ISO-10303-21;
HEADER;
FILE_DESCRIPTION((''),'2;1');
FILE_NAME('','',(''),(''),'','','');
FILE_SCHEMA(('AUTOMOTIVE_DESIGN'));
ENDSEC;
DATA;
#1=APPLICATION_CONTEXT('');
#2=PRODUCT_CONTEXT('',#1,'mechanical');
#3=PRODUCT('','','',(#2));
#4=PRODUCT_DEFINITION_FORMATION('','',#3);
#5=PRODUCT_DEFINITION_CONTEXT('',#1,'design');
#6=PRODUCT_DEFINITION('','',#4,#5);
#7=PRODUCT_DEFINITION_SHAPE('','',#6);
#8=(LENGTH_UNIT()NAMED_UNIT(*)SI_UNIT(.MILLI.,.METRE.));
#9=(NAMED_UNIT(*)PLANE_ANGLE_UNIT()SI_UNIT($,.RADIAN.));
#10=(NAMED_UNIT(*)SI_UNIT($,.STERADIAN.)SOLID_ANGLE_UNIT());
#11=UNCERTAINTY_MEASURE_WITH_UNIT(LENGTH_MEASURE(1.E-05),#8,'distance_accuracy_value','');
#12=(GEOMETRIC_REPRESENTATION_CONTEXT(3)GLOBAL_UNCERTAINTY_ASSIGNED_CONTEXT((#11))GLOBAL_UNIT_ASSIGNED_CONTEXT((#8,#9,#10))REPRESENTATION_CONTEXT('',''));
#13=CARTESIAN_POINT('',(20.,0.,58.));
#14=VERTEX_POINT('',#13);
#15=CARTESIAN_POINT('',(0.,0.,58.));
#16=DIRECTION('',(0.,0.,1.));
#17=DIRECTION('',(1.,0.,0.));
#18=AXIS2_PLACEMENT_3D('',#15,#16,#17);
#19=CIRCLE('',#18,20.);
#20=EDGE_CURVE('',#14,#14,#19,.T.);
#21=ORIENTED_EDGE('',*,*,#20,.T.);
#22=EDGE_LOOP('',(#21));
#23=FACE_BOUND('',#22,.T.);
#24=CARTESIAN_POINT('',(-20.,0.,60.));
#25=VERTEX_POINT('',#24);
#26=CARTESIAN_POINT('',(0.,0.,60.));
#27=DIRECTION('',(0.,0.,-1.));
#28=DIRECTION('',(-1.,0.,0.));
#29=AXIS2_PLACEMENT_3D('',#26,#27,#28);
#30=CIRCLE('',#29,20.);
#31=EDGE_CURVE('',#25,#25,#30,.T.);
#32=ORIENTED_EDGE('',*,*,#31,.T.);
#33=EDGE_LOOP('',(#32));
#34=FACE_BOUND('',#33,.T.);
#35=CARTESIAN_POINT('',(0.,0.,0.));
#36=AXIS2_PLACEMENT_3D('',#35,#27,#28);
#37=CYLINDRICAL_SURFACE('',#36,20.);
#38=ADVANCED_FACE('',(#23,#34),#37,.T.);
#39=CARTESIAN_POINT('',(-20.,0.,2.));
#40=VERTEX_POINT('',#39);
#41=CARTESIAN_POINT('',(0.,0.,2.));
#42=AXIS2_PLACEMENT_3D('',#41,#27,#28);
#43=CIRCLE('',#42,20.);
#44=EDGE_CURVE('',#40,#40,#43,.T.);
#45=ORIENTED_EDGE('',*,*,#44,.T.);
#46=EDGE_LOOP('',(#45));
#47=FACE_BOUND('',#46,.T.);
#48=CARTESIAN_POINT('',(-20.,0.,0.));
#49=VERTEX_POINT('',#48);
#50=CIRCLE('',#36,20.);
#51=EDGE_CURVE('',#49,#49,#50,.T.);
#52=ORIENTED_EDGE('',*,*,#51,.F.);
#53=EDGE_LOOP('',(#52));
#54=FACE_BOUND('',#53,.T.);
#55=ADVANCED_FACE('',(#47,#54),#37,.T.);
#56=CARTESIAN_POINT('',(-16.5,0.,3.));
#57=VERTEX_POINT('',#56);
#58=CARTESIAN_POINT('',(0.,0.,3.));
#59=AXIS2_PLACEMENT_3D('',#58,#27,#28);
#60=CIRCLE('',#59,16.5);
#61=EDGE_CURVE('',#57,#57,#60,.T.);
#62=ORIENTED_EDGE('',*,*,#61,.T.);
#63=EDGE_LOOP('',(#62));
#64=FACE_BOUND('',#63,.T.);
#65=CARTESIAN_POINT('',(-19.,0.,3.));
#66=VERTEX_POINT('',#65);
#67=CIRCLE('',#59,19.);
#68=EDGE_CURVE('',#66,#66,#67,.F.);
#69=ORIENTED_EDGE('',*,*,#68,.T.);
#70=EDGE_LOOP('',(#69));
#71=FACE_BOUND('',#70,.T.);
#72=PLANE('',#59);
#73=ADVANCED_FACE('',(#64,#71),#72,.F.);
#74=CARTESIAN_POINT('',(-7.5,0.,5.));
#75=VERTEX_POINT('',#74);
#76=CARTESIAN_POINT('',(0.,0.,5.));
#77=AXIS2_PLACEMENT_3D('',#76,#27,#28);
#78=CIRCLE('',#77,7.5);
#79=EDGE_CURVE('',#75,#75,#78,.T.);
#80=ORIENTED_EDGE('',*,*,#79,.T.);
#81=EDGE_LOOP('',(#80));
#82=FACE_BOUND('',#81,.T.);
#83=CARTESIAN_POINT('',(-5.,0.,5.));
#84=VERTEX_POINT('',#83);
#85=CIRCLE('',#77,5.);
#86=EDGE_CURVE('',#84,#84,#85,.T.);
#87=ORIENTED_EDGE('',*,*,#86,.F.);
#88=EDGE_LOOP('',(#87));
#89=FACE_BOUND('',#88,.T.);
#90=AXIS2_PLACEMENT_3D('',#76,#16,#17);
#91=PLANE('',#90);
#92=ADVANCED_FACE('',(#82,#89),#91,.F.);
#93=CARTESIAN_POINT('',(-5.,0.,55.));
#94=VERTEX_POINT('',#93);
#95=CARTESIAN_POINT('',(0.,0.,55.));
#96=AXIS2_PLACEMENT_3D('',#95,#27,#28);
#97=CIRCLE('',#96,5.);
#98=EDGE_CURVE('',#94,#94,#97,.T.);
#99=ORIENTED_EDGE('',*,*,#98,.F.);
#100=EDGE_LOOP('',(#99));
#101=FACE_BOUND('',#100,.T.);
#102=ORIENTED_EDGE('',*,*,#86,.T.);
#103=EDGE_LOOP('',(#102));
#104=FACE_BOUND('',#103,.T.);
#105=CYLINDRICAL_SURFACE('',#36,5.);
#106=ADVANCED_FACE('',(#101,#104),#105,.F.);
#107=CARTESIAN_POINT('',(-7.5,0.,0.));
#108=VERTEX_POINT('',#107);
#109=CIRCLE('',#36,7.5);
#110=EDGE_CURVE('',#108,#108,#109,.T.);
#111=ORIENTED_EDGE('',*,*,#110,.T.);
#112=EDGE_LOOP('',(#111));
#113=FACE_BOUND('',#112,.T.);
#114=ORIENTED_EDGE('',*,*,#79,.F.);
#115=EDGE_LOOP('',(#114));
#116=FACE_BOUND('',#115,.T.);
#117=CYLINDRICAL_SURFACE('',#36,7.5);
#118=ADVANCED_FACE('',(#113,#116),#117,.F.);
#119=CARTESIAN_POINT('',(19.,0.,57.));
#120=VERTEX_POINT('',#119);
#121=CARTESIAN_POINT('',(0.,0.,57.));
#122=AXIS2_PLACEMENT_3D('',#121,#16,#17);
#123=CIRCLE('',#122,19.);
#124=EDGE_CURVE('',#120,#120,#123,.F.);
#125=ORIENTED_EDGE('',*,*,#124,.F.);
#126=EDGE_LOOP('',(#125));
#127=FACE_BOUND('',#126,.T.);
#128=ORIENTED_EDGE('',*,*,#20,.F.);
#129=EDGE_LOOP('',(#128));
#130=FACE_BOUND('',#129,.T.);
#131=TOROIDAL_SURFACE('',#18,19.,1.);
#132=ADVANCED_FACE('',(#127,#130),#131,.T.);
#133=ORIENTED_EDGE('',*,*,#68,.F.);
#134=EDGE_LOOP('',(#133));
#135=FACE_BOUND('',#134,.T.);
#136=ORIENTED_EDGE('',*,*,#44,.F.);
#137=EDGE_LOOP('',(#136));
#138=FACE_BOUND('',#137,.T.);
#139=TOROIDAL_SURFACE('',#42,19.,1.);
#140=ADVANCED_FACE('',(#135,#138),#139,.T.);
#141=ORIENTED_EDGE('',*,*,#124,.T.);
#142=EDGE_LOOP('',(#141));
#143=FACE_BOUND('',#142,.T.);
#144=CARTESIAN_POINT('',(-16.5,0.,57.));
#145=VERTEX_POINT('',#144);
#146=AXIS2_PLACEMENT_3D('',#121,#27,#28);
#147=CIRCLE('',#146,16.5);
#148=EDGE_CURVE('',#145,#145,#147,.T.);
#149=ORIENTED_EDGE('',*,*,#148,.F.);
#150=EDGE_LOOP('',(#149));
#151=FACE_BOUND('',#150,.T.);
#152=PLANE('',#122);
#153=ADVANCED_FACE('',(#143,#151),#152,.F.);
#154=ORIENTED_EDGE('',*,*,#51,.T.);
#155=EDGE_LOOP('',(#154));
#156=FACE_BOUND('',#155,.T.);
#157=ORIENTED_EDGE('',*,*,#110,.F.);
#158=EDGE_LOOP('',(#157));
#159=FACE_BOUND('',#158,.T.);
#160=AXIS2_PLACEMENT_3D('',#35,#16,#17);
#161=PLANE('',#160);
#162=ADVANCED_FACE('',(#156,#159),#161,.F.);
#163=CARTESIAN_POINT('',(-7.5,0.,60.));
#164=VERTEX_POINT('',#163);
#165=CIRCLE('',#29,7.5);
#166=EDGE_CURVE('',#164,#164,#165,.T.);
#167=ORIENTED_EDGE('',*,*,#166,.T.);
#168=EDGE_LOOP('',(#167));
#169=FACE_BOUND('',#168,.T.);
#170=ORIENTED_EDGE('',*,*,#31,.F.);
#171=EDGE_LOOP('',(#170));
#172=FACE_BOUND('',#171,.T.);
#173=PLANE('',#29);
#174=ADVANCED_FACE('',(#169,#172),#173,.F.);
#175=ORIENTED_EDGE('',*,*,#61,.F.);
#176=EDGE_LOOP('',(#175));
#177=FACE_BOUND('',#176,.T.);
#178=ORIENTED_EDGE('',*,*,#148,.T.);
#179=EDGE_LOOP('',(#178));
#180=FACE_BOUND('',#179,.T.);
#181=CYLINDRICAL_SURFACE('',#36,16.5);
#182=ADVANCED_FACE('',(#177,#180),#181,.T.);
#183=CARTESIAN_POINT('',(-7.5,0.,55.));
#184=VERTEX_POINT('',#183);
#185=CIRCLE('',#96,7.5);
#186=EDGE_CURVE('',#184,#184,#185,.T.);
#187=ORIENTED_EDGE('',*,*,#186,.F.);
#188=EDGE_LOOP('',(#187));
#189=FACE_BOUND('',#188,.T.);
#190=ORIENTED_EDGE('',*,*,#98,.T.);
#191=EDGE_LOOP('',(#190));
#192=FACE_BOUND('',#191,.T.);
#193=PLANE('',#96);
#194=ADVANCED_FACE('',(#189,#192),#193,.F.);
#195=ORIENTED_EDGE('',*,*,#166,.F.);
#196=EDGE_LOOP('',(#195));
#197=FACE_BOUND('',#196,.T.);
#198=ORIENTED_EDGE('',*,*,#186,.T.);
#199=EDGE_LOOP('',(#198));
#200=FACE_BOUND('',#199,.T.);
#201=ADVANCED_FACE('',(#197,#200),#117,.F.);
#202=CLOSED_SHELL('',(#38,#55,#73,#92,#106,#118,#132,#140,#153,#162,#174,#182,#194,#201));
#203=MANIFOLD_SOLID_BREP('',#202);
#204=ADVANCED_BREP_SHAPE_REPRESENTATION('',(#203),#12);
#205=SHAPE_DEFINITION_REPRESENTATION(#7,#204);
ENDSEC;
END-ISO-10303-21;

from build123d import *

# Parameters (mm, degrees)
FILLET_2_R = 1


with BuildPart() as part:
    # 草图1 → 旋转1 (revolve)
    with BuildSketch(Plane(origin=(0, 0, 0), x_dir=(1, 0, 0), z_dir=(0, 1, 0)), mode=Mode.PRIVATE) as revolve_1_sk:
        Polygon((7.5, -55), (7.5, -60), (20, -60), (20, -57), (16.5, -57), (16.5, -3), (20, -3), (20, 0), (7.5, 0), (7.5, -5), (5, -5), (5, -55), align=None)
    revolve(revolve_1_sk.sketch.rotate(Axis((0, 0, 0), (0, 0, 1)), 180), axis=Axis((0, 0, 0), (0, 0, 1)))

    # 圆角2
    fillet_2_edges = [part.edges().sort_by_distance(p)[0] for p in [
        (20, 0, 3),
        (20, 0, 57),
    ]]
    fillet(fillet_2_edges, radius=FILLET_2_R)


solid = part.part
